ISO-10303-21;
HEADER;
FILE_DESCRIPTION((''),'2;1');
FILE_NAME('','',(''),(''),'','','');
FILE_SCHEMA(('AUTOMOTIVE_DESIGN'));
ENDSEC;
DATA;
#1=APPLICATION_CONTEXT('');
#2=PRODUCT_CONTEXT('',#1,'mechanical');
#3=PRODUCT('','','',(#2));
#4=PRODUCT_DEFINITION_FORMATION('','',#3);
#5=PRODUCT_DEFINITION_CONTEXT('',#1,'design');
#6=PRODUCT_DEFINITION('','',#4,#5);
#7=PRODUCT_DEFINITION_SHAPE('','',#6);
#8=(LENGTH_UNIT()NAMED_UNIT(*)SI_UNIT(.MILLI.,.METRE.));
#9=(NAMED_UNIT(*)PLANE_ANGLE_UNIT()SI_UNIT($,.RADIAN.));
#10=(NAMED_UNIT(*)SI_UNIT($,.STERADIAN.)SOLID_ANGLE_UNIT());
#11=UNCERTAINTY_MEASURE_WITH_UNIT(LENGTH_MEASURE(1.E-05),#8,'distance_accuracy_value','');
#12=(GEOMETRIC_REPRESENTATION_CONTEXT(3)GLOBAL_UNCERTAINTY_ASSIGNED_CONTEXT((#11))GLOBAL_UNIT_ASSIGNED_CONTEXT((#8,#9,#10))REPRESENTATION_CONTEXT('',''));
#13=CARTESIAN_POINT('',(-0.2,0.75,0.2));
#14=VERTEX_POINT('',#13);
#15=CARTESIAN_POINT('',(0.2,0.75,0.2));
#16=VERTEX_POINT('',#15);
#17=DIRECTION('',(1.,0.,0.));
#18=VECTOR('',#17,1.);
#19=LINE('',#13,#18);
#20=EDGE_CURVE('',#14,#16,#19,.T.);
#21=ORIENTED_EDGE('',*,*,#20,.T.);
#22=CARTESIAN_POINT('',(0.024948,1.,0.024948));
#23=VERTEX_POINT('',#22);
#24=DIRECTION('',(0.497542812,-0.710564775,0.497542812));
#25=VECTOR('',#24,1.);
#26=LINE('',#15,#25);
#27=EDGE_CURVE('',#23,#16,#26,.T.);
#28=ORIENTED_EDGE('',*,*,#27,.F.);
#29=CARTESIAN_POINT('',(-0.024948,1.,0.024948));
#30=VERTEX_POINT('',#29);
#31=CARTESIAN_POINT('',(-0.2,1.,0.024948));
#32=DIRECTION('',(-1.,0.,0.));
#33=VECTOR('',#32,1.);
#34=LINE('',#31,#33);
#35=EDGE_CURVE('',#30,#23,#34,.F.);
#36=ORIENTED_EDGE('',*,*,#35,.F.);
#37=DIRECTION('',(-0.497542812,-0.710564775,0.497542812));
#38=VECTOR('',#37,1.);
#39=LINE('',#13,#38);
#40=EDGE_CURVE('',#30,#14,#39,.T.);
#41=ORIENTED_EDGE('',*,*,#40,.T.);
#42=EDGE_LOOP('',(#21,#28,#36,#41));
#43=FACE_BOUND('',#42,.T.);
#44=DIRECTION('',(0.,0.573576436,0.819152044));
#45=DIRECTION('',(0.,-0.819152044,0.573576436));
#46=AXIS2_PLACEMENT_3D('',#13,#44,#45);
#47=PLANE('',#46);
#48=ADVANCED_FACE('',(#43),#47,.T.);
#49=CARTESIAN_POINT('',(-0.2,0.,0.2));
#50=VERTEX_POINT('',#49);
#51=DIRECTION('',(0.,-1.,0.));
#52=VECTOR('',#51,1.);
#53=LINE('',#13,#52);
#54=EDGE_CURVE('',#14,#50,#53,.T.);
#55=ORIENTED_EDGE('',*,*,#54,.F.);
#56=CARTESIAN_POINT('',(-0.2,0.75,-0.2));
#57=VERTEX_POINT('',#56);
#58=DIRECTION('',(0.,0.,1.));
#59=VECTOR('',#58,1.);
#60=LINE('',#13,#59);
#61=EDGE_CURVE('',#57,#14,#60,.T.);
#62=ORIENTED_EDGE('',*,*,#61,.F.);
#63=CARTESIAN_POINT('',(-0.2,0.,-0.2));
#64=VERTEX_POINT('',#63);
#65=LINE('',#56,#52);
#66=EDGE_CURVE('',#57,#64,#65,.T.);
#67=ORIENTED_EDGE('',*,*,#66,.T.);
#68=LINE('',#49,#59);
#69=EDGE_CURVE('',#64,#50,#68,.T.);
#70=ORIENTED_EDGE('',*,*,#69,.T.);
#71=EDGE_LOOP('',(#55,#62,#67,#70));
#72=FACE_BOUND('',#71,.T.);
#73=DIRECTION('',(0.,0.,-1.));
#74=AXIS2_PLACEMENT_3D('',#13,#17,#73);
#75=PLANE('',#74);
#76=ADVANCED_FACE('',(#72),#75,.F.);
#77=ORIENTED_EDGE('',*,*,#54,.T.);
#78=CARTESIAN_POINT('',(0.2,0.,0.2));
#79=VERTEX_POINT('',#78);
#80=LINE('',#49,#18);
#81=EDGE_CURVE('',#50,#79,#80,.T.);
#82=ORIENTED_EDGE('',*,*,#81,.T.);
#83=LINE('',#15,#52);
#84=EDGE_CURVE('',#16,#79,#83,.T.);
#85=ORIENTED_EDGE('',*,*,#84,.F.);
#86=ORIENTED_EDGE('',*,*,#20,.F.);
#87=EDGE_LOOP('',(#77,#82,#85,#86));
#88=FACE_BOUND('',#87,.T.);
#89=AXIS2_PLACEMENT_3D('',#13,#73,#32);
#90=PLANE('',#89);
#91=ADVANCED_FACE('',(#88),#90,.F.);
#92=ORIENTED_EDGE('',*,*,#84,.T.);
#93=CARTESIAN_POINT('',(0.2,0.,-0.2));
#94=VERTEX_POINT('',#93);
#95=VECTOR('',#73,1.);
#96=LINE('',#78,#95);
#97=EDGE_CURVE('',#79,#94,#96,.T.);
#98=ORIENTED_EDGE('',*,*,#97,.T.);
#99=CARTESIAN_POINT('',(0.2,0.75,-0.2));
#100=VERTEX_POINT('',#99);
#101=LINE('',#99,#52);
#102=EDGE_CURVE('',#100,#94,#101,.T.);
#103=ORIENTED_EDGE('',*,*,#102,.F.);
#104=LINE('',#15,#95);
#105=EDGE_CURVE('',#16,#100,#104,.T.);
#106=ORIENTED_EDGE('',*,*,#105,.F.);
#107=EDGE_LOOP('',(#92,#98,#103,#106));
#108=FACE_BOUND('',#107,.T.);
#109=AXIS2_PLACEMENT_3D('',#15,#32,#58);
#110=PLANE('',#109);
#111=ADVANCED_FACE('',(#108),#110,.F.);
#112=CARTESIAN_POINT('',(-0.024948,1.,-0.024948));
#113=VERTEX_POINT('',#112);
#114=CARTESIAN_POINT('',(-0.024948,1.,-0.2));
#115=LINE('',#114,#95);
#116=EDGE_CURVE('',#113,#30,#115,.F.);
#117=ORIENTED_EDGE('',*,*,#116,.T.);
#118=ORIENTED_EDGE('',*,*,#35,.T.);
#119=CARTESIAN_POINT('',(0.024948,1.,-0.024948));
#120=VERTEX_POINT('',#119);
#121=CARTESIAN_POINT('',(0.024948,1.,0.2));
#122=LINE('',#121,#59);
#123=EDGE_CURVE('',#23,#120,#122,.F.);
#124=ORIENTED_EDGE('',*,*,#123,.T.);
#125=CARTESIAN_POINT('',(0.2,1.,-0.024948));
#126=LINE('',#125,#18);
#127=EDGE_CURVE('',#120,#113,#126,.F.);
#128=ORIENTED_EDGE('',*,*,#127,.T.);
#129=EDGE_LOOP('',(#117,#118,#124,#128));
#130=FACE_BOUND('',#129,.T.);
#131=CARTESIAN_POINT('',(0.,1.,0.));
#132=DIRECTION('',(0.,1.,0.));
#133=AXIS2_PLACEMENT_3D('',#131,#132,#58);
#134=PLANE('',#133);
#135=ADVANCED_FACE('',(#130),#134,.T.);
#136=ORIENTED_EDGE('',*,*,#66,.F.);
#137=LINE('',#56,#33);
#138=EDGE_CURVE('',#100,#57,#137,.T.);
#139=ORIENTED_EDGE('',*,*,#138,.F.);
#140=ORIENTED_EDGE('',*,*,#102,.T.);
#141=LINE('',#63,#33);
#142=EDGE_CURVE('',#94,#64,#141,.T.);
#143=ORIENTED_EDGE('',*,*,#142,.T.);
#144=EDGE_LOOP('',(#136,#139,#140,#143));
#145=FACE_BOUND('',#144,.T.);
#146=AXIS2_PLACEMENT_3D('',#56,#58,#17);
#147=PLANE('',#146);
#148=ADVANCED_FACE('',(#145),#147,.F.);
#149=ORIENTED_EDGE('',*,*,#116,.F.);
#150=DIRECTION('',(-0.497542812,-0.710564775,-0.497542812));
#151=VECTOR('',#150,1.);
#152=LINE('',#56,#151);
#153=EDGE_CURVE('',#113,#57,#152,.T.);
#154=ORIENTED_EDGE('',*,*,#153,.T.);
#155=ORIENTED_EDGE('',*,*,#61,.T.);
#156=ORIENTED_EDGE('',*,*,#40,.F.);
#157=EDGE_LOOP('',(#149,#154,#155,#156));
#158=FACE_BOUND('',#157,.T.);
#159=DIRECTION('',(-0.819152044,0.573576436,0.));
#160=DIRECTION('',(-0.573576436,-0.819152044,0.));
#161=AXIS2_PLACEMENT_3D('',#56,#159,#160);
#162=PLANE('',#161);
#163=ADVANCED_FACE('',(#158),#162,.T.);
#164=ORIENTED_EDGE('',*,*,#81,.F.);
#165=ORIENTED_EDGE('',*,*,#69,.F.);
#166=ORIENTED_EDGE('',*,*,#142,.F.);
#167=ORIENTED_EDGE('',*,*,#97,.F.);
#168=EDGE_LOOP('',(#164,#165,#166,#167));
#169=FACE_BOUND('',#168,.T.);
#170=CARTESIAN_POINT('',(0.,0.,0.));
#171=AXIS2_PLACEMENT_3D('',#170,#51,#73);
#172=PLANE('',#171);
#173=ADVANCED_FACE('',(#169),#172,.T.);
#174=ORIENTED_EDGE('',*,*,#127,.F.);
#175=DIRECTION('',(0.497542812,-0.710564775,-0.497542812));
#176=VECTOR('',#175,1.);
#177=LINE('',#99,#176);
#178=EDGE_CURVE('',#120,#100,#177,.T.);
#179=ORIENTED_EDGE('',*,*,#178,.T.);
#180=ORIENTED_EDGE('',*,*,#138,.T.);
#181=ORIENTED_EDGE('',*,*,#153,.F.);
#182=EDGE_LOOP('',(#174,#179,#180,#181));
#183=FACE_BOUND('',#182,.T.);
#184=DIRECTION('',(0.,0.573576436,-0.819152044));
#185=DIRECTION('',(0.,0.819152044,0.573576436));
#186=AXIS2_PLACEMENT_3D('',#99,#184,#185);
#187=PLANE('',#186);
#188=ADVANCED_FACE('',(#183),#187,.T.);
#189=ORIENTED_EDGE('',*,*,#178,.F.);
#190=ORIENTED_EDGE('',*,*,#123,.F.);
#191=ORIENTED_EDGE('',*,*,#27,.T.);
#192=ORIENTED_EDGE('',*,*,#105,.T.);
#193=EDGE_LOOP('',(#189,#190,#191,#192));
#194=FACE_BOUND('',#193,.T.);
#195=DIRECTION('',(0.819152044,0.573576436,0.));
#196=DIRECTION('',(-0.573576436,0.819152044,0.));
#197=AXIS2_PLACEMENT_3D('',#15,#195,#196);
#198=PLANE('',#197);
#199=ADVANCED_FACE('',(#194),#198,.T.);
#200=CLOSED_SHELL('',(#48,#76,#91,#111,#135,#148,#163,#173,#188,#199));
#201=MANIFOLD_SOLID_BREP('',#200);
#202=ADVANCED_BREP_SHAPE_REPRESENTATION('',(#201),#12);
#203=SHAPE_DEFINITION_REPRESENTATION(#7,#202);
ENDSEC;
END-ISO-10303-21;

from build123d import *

# Parameters (mm, degrees)
SKETCH1_W           = 0.4
SKETCH1_H           = 0.4
BOSS_EXTRUDE1_DEPTH = 0.75
SKETCH2_W           = 0.4
SKETCH2_H           = 0.4
BOSS_EXTRUDE2_DEPTH = 0.25
BOSS_EXTRUDE2_TAPER = 35


with BuildPart() as part:
    # Sketch1 → Boss-Extrude1 (new body)
    with BuildSketch(Plane(origin=(0, 0, 0), x_dir=(1, 0, 0), z_dir=(0, 1, 0))):
        Rectangle(SKETCH1_W, SKETCH1_H)
    extrude(amount=BOSS_EXTRUDE1_DEPTH)

    # Sketch2 → Boss-Extrude2 (add)
    with BuildSketch(Plane(origin=(0, 0.75, 0), x_dir=(1, 0, 0), z_dir=(0, 1, 0))):
        Rectangle(SKETCH2_W, SKETCH2_H)
    extrude(amount=BOSS_EXTRUDE2_DEPTH, taper=BOSS_EXTRUDE2_TAPER)


solid = part.part
